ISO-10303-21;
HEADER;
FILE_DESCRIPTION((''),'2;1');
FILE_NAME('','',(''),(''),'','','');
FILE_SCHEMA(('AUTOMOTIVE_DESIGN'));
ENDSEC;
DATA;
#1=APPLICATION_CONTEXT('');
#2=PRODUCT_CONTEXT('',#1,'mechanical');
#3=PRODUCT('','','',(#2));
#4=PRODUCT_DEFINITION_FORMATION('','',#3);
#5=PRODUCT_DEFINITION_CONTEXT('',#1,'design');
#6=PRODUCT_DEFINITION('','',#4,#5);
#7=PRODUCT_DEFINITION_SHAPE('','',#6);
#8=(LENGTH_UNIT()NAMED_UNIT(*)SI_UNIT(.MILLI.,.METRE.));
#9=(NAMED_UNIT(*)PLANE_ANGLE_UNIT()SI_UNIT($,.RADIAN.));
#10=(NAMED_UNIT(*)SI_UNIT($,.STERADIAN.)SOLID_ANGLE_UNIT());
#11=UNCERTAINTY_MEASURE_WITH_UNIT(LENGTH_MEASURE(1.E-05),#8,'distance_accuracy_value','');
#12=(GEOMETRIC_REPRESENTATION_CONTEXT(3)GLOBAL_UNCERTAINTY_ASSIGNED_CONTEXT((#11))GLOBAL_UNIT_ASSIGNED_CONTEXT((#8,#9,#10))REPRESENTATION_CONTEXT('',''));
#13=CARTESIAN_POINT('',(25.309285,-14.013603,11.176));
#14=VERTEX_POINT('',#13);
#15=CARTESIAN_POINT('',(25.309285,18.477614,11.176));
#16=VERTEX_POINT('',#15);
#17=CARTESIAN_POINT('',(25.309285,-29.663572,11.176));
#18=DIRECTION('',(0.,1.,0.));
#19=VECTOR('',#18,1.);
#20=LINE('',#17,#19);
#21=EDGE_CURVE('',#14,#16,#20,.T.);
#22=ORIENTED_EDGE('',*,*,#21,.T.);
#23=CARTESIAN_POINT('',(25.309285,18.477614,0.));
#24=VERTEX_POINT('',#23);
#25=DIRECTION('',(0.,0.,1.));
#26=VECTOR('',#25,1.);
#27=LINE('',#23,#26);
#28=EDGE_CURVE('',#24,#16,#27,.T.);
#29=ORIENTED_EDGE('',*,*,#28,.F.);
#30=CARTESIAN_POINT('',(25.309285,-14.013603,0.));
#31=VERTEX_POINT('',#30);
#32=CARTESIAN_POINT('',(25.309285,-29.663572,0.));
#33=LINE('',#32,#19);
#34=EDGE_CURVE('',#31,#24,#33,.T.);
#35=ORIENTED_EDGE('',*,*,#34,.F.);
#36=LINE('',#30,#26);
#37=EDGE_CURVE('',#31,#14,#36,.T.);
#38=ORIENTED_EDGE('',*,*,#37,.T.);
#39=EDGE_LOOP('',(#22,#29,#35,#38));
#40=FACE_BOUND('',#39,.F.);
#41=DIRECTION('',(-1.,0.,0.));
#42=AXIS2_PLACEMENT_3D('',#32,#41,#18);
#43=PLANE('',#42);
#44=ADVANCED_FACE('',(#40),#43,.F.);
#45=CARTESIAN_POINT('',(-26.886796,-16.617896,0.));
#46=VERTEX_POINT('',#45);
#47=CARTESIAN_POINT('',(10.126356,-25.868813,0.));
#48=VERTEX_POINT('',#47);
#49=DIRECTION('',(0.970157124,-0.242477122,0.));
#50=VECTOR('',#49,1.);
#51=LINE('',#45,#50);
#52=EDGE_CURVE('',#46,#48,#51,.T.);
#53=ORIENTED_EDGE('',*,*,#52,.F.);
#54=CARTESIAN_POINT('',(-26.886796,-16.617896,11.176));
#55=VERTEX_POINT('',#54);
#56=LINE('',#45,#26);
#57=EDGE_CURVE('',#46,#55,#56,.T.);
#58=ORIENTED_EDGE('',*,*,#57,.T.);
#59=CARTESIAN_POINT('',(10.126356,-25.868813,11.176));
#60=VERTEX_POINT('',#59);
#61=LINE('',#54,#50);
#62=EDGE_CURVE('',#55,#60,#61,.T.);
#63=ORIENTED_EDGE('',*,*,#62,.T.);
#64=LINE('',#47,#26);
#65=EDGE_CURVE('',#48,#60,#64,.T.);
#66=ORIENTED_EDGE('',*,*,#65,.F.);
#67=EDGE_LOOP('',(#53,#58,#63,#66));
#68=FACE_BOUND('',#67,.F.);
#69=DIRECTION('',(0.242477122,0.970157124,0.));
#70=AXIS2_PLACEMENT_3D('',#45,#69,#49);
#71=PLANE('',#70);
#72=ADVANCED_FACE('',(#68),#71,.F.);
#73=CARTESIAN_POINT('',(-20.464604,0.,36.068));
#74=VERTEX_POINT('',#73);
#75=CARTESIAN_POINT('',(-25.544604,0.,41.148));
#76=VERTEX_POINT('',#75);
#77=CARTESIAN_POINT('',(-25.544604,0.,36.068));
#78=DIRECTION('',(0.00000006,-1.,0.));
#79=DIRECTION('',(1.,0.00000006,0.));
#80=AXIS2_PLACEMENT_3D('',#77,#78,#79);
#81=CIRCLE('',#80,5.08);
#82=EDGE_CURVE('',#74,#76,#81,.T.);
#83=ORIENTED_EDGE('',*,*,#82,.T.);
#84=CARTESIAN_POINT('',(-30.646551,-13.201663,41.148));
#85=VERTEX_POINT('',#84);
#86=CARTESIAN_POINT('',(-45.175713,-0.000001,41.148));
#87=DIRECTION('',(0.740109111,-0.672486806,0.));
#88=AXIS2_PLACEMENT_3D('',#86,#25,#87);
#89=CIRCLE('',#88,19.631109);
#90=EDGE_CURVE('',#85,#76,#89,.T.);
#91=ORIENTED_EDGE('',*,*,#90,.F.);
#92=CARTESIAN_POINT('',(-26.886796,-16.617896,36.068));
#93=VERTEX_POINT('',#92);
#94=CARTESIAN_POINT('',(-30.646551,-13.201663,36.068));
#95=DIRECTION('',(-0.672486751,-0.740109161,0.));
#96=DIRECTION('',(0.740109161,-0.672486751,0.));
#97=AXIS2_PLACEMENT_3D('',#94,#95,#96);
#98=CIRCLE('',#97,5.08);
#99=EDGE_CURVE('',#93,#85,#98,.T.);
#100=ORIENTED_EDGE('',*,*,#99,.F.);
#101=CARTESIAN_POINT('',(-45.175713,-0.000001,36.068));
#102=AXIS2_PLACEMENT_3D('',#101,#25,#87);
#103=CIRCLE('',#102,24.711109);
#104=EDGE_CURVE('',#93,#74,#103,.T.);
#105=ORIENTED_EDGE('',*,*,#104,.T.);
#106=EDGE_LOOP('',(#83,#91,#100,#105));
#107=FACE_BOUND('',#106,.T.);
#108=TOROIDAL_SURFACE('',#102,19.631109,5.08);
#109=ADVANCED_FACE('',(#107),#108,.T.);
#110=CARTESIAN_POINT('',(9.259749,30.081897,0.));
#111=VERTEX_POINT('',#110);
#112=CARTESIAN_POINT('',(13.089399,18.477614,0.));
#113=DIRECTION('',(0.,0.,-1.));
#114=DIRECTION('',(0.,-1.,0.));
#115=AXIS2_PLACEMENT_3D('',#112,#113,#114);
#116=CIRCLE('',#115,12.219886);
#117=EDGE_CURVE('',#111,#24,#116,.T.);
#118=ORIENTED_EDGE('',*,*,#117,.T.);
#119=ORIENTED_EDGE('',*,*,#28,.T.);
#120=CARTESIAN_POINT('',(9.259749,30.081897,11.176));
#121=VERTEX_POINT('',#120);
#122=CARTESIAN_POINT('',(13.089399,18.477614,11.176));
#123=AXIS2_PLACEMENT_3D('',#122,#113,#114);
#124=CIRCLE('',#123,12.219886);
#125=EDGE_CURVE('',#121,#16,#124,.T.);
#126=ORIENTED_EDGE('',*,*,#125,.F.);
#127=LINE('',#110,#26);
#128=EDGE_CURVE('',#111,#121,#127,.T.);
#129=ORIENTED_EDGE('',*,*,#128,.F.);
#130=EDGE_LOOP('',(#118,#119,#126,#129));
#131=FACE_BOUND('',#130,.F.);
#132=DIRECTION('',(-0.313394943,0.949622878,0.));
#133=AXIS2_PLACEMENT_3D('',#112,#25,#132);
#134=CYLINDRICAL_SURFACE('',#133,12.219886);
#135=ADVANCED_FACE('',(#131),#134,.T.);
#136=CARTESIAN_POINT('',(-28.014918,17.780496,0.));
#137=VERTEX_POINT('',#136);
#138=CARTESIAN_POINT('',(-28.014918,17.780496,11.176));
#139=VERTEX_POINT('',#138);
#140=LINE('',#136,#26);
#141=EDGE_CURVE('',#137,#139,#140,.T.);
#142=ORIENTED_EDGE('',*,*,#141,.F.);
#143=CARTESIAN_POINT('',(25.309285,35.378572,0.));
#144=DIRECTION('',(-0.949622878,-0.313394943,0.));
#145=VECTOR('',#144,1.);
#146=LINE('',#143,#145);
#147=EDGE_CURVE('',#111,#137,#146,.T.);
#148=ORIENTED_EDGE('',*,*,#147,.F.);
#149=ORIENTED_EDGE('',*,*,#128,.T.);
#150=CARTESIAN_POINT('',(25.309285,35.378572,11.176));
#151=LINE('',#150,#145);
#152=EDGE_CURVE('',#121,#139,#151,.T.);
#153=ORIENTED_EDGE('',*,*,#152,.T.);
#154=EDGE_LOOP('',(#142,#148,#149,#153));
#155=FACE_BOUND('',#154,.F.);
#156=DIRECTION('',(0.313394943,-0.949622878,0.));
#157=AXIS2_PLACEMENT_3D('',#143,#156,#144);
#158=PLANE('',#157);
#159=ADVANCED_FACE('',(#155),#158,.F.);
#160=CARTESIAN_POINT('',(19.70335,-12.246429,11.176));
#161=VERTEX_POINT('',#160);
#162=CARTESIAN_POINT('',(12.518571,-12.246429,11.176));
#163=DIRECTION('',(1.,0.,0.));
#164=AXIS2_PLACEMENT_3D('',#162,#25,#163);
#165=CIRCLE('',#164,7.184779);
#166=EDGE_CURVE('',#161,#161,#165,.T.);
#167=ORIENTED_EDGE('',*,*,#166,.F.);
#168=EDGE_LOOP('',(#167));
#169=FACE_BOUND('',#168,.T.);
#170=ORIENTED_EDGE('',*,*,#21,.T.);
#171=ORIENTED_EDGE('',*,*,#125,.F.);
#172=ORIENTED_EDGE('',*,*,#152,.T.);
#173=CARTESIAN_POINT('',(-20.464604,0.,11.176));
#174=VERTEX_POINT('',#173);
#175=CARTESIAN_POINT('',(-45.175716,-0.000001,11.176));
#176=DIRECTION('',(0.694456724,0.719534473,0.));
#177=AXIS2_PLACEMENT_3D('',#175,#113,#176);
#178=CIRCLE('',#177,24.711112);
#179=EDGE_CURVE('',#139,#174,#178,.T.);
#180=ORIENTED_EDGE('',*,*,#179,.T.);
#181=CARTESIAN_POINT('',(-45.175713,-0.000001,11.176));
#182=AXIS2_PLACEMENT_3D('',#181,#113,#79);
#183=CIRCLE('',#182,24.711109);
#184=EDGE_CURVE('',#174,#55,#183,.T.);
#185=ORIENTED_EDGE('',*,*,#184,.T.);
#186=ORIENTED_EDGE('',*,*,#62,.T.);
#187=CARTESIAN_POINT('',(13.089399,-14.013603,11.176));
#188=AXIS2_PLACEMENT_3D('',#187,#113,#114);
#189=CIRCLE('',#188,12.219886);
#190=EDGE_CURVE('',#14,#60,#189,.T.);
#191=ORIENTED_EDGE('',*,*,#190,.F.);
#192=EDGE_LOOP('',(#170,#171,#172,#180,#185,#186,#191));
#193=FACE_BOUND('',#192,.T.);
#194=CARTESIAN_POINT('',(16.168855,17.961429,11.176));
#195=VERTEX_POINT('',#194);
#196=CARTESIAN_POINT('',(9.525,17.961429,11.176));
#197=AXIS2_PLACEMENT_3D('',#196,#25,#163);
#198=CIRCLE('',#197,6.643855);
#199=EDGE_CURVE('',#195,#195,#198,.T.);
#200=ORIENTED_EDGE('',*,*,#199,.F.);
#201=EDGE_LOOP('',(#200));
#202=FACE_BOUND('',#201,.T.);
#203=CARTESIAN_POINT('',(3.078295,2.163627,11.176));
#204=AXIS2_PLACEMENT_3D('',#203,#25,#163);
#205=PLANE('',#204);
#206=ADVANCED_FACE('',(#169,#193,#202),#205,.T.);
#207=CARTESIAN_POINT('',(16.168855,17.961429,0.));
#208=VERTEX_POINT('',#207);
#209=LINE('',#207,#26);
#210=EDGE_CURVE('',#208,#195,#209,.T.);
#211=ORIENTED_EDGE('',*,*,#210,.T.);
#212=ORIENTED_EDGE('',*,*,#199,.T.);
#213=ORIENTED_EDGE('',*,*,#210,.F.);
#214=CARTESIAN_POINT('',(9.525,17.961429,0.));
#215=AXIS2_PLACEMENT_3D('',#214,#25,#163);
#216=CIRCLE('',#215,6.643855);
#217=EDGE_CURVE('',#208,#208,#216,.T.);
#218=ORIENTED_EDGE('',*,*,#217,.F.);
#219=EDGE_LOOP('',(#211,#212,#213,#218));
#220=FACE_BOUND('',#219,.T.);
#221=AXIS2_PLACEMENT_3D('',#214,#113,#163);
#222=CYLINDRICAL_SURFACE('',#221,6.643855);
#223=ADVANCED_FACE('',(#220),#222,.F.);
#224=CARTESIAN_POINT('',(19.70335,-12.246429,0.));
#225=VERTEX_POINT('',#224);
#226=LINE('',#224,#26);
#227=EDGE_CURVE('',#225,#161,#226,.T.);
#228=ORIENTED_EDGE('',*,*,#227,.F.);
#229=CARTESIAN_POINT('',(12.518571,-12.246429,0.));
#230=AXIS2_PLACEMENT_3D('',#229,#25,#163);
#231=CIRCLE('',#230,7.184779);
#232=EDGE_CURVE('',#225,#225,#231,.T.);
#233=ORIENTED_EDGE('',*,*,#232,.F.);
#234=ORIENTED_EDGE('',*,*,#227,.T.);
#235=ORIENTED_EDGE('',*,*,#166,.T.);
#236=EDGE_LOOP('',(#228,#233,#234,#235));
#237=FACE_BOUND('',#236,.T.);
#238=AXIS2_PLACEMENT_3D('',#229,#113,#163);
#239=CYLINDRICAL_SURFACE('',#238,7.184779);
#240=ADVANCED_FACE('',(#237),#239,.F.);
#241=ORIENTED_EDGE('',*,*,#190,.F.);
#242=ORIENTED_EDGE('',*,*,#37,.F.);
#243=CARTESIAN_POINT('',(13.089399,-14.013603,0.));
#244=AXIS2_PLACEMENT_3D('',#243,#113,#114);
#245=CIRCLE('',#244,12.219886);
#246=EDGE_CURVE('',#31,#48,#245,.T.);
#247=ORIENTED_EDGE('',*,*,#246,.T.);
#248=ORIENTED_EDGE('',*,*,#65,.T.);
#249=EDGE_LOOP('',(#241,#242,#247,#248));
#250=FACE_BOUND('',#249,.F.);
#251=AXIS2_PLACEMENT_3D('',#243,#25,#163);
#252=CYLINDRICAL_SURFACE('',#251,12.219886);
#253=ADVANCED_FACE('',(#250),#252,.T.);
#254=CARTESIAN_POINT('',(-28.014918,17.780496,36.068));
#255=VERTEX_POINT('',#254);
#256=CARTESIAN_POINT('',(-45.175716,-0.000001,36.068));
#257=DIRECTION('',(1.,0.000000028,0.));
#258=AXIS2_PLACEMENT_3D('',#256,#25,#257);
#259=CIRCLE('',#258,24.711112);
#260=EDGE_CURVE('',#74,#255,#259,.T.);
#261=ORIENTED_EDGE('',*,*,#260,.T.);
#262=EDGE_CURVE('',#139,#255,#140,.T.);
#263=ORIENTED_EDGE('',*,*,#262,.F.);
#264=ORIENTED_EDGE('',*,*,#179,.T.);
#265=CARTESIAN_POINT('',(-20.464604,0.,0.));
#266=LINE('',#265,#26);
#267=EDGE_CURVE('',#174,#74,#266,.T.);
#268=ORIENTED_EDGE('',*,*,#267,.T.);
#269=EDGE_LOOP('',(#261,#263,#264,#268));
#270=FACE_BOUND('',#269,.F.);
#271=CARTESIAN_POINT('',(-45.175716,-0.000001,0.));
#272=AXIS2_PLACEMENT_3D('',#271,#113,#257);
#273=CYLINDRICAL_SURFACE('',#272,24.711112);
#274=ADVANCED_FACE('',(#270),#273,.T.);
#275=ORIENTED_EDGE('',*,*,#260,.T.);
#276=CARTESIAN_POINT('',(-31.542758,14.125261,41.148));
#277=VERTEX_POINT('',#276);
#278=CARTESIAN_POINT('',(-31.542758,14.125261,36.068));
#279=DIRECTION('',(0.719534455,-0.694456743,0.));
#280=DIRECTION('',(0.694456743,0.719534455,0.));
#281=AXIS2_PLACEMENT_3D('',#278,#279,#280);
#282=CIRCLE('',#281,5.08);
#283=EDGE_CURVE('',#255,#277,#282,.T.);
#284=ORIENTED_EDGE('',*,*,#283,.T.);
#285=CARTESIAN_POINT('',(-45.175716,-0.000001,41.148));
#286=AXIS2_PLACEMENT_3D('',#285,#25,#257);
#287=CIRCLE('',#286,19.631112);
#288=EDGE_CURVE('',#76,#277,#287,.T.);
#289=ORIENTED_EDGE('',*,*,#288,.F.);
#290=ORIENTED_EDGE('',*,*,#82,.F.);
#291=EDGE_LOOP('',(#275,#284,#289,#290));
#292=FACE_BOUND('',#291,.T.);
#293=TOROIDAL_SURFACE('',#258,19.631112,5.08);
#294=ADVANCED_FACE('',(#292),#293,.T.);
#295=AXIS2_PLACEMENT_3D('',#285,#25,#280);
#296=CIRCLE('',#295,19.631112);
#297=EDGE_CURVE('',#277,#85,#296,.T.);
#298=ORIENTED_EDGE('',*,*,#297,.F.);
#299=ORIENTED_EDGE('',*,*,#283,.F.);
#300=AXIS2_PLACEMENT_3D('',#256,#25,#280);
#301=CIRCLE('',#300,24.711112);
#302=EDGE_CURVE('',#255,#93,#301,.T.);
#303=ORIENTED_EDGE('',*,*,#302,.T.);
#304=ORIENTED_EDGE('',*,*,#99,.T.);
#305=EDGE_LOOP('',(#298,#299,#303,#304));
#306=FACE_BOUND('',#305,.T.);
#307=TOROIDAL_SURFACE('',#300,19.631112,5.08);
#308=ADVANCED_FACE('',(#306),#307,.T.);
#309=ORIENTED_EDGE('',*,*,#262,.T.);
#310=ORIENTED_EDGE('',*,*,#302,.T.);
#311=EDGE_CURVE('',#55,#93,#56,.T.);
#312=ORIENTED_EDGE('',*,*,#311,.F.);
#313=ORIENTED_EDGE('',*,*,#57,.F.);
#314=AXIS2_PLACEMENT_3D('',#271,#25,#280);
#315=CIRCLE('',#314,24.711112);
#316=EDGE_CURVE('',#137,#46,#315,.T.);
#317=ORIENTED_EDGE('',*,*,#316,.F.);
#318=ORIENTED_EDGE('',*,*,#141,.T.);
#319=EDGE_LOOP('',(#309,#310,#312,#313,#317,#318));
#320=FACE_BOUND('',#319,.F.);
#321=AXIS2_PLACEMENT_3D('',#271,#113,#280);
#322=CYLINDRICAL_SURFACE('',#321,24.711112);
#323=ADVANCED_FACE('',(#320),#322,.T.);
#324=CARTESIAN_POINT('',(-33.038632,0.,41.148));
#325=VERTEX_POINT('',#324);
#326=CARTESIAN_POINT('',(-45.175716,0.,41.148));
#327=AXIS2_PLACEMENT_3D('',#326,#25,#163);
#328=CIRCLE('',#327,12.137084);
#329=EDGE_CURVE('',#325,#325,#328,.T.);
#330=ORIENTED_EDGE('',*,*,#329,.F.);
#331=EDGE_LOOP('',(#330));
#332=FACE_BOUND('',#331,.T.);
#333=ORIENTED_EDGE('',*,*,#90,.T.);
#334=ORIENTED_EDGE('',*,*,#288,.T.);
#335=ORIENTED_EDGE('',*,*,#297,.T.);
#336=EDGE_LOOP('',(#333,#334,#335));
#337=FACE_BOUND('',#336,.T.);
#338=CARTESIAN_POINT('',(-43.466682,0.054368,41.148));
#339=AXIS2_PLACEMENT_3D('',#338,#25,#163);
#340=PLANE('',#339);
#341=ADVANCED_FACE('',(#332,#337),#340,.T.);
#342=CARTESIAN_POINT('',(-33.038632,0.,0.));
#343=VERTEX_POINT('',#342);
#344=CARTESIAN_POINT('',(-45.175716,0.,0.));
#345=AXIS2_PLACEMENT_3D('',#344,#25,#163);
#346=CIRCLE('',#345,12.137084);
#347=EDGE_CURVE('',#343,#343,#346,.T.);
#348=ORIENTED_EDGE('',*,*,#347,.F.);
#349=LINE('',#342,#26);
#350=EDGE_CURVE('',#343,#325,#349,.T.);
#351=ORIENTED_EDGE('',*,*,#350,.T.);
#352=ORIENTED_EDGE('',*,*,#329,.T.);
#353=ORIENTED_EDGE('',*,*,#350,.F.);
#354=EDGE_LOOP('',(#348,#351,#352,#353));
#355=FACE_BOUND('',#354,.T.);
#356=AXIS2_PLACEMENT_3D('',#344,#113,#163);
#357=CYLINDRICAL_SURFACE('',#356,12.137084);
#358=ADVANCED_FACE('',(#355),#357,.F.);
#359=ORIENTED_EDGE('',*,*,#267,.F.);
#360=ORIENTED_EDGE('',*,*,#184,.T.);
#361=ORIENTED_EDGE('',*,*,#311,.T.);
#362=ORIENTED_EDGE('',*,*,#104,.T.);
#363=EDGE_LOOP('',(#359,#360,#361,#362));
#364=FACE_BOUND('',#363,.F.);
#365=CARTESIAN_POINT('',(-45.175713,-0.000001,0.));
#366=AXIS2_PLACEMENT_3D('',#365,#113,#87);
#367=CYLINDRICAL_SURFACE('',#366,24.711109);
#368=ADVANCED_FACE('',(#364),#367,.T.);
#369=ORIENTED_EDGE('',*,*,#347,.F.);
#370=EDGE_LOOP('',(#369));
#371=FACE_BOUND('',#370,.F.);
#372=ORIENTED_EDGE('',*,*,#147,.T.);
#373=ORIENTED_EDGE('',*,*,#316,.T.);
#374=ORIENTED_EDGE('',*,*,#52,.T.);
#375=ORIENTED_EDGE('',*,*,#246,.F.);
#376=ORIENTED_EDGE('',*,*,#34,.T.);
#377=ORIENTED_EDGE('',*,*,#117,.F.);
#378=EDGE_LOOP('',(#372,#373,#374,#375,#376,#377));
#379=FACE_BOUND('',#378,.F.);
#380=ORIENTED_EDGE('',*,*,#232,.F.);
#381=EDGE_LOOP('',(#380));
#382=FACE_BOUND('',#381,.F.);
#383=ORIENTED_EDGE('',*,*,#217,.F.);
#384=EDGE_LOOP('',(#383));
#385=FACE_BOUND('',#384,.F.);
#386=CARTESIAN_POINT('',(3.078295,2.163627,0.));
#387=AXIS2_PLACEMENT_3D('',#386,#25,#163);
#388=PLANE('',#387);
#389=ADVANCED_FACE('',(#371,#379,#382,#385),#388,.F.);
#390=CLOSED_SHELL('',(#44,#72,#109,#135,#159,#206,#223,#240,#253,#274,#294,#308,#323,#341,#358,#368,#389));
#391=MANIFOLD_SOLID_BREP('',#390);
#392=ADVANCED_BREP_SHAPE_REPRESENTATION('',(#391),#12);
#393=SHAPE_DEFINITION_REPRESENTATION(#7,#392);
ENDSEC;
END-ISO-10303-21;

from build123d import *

# Parameters (mm, degrees)
F0_R     = 12.137084
F1_DEPTH = 41.148
F2_R     = 5.08
F0_R_2   = 7.184779
F0_R_3   = 6.643855
F3_DEPTH = 11.176
F4_R     = 12.219886


with BuildPart() as f1:
    # F0 (on Top) → F1 (new body)
    with BuildSketch(Plane.XY):
        with BuildLine():
            ThreePointArc((-26.886796, -16.617896), (-22.126002, -8.907848), (-20.464604, 0))
            ThreePointArc((-20.464604, 0), (-22.430371, 9.658588), (-28.014918, 17.780496))
            ThreePointArc((-28.014918, 17.780496), (-69.87355, -0.809985), (-26.886796, -16.617896))
        make_face()
        with Locations((-45.175716, 0)):
            Circle(F0_R, mode=Mode.SUBTRACT)
    extrude(amount=F1_DEPTH)

    # F2
    f2_edges = [f1.edges().sort_by_distance(p)[0] for p in [
        (-63.464637, 16.617896, 41.148),
    ]]
    fillet(f2_edges, radius=F2_R)

    # F0 (on Top) → F3 (join)
    with BuildSketch(Plane.XY):
        with BuildLine():
            ThreePointArc((-28.014918, 17.780496), (-22.430371, 9.658588), (-20.464604, 0))
            ThreePointArc((-20.464604, 0), (-22.126002, -8.907848), (-26.886796, -16.617896))
            Line((-26.886796, -16.617896), (25.309285, -29.663572))
            Line((25.309285, -29.663572), (25.309285, 35.378572))
            Line((25.309285, 35.378572), (-28.014918, 17.780496))
        make_face()
        with Locations((12.518571, -12.246429)):
            Circle(F0_R_2, mode=Mode.SUBTRACT)
        with Locations((9.525, 17.961429)):
            Circle(F0_R_3, mode=Mode.SUBTRACT)
    extrude(amount=F3_DEPTH)

    # F4
    f4_edges = [f1.edges().sort_by_distance(p)[0] for p in [
        (25.309285, -29.663572, 5.588),
        (25.309285, 35.378572, 5.588),
    ]]
    fillet(f4_edges, radius=F4_R)


solid = f1.part
